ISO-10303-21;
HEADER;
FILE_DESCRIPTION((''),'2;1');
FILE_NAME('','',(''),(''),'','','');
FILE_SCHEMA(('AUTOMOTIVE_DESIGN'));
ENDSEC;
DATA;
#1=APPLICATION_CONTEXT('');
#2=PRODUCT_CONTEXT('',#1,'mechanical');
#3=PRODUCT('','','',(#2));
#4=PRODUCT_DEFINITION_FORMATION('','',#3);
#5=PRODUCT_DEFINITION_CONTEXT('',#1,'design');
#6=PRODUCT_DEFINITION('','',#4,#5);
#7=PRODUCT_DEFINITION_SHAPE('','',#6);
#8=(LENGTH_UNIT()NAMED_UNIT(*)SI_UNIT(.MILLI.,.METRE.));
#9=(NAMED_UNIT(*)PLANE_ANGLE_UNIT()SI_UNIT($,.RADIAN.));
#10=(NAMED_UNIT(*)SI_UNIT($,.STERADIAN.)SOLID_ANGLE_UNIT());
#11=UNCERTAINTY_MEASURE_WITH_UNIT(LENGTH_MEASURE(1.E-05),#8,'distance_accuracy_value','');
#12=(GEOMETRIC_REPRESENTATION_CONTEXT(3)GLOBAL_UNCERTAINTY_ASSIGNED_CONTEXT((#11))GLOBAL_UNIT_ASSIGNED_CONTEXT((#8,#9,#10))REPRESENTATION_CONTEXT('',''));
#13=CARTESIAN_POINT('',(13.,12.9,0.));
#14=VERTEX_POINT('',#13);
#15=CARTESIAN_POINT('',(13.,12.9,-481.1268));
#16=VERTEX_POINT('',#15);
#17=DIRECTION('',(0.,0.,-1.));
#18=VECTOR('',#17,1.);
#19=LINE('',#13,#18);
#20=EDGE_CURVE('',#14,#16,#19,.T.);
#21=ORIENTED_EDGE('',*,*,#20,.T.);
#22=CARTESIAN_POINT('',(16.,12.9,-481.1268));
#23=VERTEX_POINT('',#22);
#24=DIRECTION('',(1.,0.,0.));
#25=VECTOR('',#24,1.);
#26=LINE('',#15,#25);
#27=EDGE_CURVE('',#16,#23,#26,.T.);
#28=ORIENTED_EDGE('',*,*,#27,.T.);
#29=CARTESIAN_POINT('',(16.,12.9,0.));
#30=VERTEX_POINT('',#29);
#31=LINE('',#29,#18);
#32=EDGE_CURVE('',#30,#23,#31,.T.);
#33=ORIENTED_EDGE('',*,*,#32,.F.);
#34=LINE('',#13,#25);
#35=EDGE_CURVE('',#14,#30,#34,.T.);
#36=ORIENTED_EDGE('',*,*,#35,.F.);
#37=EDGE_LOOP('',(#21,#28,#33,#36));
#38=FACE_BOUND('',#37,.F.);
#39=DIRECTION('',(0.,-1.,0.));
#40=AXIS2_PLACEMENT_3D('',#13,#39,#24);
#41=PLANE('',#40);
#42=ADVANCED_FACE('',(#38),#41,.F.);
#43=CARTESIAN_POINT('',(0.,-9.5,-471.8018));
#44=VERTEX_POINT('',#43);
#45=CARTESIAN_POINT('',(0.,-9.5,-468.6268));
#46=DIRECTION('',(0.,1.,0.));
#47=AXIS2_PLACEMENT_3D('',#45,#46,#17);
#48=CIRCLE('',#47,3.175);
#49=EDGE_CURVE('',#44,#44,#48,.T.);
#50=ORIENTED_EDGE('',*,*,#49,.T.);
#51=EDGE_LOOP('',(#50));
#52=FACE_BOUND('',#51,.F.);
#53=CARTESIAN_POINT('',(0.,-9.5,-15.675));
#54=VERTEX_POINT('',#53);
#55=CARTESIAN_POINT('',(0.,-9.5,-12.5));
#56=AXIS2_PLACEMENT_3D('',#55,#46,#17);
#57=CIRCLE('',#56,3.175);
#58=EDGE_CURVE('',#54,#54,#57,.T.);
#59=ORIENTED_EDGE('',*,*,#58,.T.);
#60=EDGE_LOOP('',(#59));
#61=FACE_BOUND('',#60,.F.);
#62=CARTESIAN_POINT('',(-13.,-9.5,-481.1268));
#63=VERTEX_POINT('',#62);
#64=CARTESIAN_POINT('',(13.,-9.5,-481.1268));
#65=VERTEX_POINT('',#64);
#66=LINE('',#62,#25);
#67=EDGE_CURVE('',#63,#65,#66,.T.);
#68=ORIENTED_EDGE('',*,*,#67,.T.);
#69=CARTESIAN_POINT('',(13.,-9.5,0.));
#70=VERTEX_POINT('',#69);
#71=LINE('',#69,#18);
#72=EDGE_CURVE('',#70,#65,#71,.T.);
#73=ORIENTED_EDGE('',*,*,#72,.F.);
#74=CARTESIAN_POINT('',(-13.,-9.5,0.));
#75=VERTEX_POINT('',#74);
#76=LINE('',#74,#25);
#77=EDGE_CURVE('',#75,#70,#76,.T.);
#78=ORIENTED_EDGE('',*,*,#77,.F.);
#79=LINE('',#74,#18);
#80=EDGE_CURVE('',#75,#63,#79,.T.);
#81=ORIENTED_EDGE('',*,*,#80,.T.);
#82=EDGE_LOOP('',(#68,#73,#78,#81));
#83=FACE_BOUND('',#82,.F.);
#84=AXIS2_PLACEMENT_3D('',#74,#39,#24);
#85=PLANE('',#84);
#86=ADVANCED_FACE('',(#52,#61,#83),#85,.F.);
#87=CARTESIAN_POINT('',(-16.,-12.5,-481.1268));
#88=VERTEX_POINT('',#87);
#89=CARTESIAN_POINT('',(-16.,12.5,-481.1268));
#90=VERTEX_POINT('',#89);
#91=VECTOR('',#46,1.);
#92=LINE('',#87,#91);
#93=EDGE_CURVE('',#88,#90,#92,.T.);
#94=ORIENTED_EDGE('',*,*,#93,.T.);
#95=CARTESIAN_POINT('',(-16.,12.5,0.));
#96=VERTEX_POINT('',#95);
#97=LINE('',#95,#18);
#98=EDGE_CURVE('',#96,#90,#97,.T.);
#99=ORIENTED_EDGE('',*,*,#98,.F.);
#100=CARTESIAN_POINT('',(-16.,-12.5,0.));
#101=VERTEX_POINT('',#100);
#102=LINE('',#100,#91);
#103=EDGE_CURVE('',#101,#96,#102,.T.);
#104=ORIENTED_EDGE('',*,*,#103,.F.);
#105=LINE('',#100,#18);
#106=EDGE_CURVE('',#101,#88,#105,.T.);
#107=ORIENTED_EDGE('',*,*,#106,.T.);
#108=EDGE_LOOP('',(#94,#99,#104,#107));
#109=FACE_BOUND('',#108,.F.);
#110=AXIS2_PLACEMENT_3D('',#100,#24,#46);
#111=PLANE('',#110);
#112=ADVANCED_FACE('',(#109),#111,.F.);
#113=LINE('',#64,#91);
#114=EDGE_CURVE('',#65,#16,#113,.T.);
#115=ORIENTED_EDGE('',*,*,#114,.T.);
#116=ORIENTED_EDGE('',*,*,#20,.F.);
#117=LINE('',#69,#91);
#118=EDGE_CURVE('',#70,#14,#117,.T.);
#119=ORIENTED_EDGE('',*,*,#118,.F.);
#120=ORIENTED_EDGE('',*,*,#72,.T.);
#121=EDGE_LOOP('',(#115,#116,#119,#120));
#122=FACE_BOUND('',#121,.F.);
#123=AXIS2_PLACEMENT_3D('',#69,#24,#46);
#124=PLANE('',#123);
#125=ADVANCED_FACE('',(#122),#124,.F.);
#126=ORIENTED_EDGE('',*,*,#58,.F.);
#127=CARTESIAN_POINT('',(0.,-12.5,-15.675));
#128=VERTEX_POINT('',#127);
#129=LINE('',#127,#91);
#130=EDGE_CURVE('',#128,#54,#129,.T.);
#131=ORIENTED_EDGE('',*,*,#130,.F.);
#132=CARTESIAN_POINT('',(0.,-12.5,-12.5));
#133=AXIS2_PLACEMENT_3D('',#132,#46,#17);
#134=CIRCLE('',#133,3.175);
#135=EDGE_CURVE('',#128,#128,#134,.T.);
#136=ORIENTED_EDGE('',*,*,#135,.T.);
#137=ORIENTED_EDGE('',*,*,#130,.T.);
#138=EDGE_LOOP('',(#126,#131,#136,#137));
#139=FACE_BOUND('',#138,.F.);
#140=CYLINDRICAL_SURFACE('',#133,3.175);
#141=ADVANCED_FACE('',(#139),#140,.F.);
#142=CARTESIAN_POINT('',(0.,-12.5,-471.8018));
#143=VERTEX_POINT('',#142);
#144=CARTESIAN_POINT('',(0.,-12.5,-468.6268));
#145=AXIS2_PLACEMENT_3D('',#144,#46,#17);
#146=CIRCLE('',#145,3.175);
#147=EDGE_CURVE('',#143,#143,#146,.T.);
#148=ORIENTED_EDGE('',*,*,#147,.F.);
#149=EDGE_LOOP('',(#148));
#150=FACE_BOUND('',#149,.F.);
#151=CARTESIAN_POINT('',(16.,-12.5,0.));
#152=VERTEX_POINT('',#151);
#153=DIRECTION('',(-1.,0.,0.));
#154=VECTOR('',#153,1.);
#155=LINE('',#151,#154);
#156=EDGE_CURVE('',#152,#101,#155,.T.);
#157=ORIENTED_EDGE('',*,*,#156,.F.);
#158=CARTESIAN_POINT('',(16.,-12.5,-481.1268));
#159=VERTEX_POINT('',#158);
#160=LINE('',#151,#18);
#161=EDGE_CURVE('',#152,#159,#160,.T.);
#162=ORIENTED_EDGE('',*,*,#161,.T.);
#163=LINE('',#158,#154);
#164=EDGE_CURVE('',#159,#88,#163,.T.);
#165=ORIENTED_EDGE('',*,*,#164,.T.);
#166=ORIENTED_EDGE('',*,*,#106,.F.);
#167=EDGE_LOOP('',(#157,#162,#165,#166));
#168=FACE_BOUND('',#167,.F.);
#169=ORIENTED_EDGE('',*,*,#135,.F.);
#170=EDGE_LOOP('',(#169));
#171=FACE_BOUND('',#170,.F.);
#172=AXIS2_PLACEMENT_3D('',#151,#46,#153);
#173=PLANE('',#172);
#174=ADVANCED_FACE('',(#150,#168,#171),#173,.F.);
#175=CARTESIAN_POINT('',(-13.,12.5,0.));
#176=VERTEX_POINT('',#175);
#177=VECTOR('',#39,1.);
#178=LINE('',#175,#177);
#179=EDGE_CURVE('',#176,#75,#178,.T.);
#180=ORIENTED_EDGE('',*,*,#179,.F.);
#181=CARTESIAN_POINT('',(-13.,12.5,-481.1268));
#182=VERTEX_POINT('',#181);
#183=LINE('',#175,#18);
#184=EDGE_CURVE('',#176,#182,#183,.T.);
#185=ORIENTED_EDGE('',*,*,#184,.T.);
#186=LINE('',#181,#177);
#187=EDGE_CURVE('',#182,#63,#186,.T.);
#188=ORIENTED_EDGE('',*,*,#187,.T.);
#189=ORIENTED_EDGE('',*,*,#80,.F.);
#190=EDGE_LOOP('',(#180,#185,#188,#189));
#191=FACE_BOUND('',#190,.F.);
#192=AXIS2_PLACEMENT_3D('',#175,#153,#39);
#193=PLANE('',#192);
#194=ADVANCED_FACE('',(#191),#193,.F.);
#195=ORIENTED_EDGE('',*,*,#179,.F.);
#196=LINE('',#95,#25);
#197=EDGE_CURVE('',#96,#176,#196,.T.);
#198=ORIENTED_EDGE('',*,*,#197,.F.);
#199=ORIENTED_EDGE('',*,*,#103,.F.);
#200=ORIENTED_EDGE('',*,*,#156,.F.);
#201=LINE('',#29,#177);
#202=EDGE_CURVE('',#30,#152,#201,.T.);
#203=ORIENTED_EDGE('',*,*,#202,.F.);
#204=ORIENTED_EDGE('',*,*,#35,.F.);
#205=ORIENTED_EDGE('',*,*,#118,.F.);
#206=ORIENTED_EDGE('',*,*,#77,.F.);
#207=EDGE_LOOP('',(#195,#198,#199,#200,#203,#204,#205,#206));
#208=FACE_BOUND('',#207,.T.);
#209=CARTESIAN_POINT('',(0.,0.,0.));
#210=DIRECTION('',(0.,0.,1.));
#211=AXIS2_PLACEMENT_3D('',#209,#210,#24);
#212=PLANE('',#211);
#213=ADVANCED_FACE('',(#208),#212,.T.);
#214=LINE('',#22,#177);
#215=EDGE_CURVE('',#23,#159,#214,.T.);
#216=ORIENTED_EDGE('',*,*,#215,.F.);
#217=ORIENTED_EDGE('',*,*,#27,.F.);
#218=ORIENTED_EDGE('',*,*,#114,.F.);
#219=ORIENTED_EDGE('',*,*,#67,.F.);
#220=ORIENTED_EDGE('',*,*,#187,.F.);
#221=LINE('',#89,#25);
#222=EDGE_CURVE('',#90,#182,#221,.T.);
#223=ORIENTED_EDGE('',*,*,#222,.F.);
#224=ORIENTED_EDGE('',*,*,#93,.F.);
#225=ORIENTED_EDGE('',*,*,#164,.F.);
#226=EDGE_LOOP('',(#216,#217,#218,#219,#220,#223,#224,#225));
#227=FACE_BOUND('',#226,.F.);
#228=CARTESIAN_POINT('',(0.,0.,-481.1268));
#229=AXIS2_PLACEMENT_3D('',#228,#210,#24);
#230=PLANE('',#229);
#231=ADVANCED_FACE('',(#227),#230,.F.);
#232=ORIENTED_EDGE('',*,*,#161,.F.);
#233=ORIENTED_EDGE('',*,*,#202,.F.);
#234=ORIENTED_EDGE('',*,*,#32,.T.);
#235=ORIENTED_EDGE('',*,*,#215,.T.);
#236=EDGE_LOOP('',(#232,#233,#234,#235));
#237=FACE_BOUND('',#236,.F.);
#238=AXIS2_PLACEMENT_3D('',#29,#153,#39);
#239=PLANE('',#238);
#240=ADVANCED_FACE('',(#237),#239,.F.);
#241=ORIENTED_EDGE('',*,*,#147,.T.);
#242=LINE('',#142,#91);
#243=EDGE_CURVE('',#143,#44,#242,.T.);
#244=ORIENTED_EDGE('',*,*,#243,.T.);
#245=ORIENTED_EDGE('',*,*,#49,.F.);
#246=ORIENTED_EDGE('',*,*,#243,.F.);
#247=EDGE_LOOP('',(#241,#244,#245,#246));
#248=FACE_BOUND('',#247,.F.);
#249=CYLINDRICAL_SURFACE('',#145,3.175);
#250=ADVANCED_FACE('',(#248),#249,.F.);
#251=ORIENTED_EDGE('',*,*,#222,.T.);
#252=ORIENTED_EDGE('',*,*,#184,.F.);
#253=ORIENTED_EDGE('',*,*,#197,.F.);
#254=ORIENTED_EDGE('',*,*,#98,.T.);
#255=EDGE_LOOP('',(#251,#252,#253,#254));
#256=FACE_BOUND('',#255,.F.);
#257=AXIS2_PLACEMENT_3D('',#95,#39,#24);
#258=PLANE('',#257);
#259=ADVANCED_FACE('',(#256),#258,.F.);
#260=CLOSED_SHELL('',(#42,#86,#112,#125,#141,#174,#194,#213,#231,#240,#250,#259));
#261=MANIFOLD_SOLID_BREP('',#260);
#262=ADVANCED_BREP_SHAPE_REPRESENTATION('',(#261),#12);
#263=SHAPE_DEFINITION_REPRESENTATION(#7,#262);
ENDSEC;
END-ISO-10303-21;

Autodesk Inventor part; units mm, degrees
ref_plane "YZ Plane" through (0, 0, 0) normal (1, 0, 0) x (0, 1, 0)
ref_plane "XZ Plane" through (0, 0, 0) normal (0, 1, 0) x (-1, 0, 0)
ref_plane "XY Plane" through (0, 0, 0) normal (0, 0, 1) x (1, 0, 0)
sketch "Sketch1" plane through (0, 0, 0) normal (0, 0, 1) x (1, 0, 0)
  line L0 (-16, 12.5) -> (-13, 12.5)
  line L1 (-13, 12.5) -> (-13, -9.5)
  line L2 (-13, -9.5) -> (13, -9.5)
  line L3 (13, -9.5) -> (13, 12.9)
  line L4 (13, 12.9) -> (16, 12.9)
  line L5 (16, 12.9) -> (16, -12.5)
  line L6 (16, -12.5) -> (-16, -12.5)
  line L7 (-16, -12.5) -> (-16, 12.5)
  point P0 (0, 0)
  dimension "d0" = 3
  dimension "d2" = 3
  dimension "d3" = 25
  dimension "d4" = 32
  dimension "d5" = 16
  dimension "d7" = 12.5
  dimension "d8" = 3
extrude "Extrusion1" add sketch "Sketch1" against normal blind 481.1268
sketch "Sketch4" plane through (-16, -12.5, 0) normal (0, -1, 0) x (1, 0, 0)
  line L0 (32, 0) -> (0, 0) projected
  line L1 (32, -481.1268) -> (0, -481.1268) projected
  line L2 (32, 0) -> (32, -481.1268) projected
  circle A0 centre (16, -12.5) radius 3.175
  circle A1 centre (16, -468.6268) radius 3.175
  point P0 (16, 0)
  dimension "d21" = 6.35
  dimension "d22" = 6.35
  dimension "d23" = 12.5
  dimension "d24" = 12.5
  dimension "d25" = 16
hole "Hole1" at (0, -12.5, -12.5) at (0, -12.5, -468.6268) direction (0, 1, 0) diameter 6.35 depth 3 tip angle 118
equation "\"d2\" = d0"
equation "\"d5\" = 0.5 * d4"
equation "\"d7\" = 0.5 * d3"
equation "\"d8\" = d0"
equation "\"d24\" = d23"
properties part number "19in c-channel"
